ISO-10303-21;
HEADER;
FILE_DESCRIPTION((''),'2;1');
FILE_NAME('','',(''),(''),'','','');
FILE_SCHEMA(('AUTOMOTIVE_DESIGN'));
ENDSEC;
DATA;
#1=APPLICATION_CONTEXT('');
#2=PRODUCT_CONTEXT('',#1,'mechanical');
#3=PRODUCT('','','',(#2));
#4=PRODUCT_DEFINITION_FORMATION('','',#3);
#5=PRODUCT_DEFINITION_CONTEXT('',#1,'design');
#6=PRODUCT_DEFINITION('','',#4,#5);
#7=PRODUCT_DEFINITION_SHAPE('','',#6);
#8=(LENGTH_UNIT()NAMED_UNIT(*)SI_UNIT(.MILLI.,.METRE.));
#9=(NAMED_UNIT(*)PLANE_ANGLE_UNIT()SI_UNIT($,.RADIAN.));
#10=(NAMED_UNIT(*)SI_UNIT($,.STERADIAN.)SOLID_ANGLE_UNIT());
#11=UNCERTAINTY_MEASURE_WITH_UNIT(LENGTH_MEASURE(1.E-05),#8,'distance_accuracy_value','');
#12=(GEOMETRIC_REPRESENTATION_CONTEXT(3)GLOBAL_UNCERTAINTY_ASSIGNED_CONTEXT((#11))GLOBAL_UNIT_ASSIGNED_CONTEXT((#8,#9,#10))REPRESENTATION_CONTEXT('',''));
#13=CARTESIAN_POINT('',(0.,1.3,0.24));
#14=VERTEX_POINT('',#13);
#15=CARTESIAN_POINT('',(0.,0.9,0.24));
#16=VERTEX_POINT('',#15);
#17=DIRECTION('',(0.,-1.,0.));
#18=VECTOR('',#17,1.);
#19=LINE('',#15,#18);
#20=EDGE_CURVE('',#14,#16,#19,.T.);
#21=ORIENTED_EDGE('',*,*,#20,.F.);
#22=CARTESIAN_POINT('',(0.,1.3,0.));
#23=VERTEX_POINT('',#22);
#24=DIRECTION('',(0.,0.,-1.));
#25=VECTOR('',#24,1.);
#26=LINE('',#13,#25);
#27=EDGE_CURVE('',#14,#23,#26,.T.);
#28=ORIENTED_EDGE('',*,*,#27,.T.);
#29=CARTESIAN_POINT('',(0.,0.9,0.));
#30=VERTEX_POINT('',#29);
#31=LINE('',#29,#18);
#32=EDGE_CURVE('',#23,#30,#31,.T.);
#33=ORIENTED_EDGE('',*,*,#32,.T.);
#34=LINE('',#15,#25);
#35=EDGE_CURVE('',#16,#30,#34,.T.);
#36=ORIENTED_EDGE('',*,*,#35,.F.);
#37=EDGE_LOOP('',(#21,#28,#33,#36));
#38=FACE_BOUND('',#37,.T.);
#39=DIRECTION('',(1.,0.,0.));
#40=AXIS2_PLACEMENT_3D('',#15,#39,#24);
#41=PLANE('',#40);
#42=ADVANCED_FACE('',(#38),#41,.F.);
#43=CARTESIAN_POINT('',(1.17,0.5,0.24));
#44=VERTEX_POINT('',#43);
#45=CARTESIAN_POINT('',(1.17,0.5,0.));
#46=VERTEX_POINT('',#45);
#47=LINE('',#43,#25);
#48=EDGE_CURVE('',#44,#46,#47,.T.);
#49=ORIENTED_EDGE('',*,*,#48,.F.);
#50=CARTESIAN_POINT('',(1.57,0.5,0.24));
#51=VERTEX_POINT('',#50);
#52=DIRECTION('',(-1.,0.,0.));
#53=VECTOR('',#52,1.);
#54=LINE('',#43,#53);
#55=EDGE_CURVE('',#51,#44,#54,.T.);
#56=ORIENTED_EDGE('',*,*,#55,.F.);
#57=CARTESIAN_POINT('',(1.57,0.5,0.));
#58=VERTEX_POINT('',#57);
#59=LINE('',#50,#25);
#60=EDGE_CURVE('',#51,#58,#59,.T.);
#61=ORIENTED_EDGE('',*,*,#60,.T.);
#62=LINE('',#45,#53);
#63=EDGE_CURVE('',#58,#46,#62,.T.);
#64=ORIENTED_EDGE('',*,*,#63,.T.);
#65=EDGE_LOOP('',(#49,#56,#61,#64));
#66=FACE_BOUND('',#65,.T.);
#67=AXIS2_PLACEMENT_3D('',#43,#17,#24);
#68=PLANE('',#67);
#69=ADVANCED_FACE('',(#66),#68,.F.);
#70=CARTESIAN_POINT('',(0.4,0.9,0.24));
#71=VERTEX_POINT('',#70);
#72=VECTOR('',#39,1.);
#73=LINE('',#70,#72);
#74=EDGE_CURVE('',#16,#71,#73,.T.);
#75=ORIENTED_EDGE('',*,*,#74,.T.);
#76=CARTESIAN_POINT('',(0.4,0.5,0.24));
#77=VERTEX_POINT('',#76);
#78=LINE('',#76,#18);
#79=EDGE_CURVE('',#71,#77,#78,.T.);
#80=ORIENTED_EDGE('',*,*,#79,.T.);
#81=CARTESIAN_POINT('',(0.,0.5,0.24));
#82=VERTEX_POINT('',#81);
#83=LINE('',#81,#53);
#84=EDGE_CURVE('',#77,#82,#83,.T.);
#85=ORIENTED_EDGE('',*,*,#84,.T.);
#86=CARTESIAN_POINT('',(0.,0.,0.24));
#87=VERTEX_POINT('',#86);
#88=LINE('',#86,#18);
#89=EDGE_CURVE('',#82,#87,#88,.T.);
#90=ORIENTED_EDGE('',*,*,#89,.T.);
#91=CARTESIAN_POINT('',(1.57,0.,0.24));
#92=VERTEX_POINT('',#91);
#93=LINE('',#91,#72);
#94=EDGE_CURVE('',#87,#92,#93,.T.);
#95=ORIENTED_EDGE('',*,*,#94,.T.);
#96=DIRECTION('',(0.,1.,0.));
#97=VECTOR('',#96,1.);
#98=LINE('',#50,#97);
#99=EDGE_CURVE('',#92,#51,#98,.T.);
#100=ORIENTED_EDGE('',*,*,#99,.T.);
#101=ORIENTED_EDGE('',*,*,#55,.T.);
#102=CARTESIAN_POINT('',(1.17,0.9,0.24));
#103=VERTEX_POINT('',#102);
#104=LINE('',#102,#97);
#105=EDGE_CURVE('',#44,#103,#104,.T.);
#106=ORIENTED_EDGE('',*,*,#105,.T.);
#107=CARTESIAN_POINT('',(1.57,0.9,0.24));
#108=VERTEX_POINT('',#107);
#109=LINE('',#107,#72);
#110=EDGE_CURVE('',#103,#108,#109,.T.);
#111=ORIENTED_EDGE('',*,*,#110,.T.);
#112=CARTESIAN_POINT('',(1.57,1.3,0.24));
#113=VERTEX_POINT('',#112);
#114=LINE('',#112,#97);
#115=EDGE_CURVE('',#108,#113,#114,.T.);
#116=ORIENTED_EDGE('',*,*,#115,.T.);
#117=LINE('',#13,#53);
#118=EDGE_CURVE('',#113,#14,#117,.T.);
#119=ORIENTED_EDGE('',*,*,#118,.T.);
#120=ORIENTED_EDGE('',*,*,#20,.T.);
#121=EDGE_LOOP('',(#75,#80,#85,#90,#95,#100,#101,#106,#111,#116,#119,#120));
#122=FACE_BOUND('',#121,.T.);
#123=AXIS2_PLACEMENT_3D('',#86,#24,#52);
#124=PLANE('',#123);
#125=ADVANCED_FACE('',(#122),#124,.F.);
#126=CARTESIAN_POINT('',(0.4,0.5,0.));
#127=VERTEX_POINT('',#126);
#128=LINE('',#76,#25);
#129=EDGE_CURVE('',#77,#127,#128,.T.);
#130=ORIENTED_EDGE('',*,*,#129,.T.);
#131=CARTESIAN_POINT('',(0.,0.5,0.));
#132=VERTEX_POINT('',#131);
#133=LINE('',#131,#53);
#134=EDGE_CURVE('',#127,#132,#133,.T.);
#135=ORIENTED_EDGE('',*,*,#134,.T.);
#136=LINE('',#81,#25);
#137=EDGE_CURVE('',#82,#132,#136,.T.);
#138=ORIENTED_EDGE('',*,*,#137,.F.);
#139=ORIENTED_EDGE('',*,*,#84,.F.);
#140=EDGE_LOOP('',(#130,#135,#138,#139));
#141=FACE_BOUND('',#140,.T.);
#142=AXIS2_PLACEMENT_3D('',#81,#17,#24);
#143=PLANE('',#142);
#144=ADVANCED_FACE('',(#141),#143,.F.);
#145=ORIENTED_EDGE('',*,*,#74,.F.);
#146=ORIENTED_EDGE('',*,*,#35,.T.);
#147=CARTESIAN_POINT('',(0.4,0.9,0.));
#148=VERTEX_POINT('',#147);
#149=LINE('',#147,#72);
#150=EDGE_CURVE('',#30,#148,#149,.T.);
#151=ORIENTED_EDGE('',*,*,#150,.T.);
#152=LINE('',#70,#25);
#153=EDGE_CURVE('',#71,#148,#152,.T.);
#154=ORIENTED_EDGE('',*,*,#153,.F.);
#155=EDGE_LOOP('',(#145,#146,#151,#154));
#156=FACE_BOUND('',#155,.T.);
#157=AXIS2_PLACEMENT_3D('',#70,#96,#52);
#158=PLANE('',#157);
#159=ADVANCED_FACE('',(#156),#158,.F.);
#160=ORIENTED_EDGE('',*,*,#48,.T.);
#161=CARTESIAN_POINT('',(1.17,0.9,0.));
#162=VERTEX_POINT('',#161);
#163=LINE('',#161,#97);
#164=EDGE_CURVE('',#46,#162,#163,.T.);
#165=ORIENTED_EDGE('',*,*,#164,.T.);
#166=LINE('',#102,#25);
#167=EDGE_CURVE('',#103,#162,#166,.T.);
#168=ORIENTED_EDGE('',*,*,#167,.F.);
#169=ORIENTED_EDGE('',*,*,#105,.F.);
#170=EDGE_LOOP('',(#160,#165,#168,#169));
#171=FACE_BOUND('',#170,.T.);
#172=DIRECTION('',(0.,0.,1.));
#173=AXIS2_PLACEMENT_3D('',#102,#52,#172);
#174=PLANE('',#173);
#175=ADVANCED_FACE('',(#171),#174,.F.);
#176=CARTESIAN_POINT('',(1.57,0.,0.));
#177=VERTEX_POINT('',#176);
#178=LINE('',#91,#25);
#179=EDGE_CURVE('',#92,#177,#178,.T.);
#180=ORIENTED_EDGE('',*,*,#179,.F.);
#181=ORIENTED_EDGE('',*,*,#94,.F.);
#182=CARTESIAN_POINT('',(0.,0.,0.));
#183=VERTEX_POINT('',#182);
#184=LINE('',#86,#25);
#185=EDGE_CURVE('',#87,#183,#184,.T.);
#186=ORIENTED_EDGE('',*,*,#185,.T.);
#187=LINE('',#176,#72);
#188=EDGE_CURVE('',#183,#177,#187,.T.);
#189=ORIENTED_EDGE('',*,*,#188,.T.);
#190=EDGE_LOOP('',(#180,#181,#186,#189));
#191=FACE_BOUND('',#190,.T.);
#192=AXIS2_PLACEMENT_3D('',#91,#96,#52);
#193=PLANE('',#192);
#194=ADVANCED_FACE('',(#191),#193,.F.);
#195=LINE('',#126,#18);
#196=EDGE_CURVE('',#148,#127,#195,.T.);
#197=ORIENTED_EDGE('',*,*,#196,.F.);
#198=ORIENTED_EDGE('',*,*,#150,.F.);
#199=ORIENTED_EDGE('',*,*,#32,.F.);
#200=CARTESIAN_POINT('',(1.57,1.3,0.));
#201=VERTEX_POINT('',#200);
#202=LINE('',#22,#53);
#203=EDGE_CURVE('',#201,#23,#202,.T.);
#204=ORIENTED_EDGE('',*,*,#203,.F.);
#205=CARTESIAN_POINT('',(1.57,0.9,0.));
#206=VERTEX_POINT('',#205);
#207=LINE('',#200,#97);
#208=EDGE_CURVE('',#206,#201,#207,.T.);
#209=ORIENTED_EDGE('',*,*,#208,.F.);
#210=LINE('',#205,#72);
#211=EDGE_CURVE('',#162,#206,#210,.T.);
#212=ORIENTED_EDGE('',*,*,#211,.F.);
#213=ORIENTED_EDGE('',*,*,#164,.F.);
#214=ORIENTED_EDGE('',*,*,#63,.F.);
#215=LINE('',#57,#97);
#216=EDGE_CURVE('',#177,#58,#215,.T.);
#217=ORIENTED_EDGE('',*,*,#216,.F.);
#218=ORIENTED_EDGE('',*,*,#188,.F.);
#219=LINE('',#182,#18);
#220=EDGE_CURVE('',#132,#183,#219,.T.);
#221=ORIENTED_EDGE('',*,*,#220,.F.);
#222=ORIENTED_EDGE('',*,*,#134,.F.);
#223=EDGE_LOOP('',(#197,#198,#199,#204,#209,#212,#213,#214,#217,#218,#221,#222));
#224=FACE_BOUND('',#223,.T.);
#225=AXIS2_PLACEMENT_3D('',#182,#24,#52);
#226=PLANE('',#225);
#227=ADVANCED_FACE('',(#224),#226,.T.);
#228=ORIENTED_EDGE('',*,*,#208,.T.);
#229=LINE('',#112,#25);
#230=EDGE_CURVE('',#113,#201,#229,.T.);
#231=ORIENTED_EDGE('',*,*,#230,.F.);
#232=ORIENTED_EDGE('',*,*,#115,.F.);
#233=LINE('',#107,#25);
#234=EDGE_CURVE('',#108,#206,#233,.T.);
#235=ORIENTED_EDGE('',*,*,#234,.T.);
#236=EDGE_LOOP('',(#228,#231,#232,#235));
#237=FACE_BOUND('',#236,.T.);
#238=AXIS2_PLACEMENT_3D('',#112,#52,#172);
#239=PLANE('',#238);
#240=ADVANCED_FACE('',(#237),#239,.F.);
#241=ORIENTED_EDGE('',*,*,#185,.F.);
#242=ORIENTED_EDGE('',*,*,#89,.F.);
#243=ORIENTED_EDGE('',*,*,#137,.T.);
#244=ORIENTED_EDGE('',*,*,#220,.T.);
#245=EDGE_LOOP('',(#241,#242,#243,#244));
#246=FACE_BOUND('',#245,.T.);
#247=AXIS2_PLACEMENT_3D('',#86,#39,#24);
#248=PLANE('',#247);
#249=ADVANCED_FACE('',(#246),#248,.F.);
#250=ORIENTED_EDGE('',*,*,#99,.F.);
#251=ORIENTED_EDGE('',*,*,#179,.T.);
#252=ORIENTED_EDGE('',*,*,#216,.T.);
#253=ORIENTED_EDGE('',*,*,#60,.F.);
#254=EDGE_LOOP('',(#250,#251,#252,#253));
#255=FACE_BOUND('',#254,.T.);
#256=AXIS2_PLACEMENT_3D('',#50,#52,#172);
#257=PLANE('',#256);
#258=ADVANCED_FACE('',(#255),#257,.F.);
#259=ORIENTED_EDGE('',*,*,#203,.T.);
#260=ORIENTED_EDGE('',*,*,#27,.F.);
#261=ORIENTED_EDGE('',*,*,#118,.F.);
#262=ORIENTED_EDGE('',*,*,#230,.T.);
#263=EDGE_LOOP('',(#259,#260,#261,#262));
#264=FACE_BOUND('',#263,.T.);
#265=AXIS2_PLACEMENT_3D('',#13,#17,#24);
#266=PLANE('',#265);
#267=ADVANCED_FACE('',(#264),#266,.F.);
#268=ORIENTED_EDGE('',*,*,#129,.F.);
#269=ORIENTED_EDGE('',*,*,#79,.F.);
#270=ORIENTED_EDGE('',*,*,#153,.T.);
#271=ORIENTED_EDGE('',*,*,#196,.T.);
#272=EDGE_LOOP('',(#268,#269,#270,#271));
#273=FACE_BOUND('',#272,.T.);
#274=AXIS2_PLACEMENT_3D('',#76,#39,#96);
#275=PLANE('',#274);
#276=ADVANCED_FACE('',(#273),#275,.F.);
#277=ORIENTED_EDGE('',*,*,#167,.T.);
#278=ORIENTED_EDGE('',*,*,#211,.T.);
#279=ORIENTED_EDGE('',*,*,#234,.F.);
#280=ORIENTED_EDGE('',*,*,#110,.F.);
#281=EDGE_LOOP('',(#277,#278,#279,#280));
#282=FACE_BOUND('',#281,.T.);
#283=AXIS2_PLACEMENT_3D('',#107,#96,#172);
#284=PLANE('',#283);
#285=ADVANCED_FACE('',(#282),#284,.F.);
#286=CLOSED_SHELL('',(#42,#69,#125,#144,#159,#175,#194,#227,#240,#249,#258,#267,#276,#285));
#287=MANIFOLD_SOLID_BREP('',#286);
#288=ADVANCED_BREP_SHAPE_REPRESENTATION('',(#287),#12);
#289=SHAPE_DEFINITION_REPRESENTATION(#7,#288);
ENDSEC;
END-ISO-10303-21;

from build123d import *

# Parameters (mm, degrees)
BOSS_EXTRUDE1_DEPTH = 0.24


with BuildPart() as part:
    # Sketch1 → Boss-Extrude1 (new body)
    with BuildSketch(Plane.XY):
        Polygon((0, 0), (0, 0.5), (0.4, 0.5), (0.4, 0.9), (0, 0.9), (0, 1.3), (1.57, 1.3), (1.57, 0.9), (1.17, 0.9), (1.17, 0.5), (1.57, 0.5), (1.57, 0), align=None)
    extrude(amount=BOSS_EXTRUDE1_DEPTH)


solid = part.part
